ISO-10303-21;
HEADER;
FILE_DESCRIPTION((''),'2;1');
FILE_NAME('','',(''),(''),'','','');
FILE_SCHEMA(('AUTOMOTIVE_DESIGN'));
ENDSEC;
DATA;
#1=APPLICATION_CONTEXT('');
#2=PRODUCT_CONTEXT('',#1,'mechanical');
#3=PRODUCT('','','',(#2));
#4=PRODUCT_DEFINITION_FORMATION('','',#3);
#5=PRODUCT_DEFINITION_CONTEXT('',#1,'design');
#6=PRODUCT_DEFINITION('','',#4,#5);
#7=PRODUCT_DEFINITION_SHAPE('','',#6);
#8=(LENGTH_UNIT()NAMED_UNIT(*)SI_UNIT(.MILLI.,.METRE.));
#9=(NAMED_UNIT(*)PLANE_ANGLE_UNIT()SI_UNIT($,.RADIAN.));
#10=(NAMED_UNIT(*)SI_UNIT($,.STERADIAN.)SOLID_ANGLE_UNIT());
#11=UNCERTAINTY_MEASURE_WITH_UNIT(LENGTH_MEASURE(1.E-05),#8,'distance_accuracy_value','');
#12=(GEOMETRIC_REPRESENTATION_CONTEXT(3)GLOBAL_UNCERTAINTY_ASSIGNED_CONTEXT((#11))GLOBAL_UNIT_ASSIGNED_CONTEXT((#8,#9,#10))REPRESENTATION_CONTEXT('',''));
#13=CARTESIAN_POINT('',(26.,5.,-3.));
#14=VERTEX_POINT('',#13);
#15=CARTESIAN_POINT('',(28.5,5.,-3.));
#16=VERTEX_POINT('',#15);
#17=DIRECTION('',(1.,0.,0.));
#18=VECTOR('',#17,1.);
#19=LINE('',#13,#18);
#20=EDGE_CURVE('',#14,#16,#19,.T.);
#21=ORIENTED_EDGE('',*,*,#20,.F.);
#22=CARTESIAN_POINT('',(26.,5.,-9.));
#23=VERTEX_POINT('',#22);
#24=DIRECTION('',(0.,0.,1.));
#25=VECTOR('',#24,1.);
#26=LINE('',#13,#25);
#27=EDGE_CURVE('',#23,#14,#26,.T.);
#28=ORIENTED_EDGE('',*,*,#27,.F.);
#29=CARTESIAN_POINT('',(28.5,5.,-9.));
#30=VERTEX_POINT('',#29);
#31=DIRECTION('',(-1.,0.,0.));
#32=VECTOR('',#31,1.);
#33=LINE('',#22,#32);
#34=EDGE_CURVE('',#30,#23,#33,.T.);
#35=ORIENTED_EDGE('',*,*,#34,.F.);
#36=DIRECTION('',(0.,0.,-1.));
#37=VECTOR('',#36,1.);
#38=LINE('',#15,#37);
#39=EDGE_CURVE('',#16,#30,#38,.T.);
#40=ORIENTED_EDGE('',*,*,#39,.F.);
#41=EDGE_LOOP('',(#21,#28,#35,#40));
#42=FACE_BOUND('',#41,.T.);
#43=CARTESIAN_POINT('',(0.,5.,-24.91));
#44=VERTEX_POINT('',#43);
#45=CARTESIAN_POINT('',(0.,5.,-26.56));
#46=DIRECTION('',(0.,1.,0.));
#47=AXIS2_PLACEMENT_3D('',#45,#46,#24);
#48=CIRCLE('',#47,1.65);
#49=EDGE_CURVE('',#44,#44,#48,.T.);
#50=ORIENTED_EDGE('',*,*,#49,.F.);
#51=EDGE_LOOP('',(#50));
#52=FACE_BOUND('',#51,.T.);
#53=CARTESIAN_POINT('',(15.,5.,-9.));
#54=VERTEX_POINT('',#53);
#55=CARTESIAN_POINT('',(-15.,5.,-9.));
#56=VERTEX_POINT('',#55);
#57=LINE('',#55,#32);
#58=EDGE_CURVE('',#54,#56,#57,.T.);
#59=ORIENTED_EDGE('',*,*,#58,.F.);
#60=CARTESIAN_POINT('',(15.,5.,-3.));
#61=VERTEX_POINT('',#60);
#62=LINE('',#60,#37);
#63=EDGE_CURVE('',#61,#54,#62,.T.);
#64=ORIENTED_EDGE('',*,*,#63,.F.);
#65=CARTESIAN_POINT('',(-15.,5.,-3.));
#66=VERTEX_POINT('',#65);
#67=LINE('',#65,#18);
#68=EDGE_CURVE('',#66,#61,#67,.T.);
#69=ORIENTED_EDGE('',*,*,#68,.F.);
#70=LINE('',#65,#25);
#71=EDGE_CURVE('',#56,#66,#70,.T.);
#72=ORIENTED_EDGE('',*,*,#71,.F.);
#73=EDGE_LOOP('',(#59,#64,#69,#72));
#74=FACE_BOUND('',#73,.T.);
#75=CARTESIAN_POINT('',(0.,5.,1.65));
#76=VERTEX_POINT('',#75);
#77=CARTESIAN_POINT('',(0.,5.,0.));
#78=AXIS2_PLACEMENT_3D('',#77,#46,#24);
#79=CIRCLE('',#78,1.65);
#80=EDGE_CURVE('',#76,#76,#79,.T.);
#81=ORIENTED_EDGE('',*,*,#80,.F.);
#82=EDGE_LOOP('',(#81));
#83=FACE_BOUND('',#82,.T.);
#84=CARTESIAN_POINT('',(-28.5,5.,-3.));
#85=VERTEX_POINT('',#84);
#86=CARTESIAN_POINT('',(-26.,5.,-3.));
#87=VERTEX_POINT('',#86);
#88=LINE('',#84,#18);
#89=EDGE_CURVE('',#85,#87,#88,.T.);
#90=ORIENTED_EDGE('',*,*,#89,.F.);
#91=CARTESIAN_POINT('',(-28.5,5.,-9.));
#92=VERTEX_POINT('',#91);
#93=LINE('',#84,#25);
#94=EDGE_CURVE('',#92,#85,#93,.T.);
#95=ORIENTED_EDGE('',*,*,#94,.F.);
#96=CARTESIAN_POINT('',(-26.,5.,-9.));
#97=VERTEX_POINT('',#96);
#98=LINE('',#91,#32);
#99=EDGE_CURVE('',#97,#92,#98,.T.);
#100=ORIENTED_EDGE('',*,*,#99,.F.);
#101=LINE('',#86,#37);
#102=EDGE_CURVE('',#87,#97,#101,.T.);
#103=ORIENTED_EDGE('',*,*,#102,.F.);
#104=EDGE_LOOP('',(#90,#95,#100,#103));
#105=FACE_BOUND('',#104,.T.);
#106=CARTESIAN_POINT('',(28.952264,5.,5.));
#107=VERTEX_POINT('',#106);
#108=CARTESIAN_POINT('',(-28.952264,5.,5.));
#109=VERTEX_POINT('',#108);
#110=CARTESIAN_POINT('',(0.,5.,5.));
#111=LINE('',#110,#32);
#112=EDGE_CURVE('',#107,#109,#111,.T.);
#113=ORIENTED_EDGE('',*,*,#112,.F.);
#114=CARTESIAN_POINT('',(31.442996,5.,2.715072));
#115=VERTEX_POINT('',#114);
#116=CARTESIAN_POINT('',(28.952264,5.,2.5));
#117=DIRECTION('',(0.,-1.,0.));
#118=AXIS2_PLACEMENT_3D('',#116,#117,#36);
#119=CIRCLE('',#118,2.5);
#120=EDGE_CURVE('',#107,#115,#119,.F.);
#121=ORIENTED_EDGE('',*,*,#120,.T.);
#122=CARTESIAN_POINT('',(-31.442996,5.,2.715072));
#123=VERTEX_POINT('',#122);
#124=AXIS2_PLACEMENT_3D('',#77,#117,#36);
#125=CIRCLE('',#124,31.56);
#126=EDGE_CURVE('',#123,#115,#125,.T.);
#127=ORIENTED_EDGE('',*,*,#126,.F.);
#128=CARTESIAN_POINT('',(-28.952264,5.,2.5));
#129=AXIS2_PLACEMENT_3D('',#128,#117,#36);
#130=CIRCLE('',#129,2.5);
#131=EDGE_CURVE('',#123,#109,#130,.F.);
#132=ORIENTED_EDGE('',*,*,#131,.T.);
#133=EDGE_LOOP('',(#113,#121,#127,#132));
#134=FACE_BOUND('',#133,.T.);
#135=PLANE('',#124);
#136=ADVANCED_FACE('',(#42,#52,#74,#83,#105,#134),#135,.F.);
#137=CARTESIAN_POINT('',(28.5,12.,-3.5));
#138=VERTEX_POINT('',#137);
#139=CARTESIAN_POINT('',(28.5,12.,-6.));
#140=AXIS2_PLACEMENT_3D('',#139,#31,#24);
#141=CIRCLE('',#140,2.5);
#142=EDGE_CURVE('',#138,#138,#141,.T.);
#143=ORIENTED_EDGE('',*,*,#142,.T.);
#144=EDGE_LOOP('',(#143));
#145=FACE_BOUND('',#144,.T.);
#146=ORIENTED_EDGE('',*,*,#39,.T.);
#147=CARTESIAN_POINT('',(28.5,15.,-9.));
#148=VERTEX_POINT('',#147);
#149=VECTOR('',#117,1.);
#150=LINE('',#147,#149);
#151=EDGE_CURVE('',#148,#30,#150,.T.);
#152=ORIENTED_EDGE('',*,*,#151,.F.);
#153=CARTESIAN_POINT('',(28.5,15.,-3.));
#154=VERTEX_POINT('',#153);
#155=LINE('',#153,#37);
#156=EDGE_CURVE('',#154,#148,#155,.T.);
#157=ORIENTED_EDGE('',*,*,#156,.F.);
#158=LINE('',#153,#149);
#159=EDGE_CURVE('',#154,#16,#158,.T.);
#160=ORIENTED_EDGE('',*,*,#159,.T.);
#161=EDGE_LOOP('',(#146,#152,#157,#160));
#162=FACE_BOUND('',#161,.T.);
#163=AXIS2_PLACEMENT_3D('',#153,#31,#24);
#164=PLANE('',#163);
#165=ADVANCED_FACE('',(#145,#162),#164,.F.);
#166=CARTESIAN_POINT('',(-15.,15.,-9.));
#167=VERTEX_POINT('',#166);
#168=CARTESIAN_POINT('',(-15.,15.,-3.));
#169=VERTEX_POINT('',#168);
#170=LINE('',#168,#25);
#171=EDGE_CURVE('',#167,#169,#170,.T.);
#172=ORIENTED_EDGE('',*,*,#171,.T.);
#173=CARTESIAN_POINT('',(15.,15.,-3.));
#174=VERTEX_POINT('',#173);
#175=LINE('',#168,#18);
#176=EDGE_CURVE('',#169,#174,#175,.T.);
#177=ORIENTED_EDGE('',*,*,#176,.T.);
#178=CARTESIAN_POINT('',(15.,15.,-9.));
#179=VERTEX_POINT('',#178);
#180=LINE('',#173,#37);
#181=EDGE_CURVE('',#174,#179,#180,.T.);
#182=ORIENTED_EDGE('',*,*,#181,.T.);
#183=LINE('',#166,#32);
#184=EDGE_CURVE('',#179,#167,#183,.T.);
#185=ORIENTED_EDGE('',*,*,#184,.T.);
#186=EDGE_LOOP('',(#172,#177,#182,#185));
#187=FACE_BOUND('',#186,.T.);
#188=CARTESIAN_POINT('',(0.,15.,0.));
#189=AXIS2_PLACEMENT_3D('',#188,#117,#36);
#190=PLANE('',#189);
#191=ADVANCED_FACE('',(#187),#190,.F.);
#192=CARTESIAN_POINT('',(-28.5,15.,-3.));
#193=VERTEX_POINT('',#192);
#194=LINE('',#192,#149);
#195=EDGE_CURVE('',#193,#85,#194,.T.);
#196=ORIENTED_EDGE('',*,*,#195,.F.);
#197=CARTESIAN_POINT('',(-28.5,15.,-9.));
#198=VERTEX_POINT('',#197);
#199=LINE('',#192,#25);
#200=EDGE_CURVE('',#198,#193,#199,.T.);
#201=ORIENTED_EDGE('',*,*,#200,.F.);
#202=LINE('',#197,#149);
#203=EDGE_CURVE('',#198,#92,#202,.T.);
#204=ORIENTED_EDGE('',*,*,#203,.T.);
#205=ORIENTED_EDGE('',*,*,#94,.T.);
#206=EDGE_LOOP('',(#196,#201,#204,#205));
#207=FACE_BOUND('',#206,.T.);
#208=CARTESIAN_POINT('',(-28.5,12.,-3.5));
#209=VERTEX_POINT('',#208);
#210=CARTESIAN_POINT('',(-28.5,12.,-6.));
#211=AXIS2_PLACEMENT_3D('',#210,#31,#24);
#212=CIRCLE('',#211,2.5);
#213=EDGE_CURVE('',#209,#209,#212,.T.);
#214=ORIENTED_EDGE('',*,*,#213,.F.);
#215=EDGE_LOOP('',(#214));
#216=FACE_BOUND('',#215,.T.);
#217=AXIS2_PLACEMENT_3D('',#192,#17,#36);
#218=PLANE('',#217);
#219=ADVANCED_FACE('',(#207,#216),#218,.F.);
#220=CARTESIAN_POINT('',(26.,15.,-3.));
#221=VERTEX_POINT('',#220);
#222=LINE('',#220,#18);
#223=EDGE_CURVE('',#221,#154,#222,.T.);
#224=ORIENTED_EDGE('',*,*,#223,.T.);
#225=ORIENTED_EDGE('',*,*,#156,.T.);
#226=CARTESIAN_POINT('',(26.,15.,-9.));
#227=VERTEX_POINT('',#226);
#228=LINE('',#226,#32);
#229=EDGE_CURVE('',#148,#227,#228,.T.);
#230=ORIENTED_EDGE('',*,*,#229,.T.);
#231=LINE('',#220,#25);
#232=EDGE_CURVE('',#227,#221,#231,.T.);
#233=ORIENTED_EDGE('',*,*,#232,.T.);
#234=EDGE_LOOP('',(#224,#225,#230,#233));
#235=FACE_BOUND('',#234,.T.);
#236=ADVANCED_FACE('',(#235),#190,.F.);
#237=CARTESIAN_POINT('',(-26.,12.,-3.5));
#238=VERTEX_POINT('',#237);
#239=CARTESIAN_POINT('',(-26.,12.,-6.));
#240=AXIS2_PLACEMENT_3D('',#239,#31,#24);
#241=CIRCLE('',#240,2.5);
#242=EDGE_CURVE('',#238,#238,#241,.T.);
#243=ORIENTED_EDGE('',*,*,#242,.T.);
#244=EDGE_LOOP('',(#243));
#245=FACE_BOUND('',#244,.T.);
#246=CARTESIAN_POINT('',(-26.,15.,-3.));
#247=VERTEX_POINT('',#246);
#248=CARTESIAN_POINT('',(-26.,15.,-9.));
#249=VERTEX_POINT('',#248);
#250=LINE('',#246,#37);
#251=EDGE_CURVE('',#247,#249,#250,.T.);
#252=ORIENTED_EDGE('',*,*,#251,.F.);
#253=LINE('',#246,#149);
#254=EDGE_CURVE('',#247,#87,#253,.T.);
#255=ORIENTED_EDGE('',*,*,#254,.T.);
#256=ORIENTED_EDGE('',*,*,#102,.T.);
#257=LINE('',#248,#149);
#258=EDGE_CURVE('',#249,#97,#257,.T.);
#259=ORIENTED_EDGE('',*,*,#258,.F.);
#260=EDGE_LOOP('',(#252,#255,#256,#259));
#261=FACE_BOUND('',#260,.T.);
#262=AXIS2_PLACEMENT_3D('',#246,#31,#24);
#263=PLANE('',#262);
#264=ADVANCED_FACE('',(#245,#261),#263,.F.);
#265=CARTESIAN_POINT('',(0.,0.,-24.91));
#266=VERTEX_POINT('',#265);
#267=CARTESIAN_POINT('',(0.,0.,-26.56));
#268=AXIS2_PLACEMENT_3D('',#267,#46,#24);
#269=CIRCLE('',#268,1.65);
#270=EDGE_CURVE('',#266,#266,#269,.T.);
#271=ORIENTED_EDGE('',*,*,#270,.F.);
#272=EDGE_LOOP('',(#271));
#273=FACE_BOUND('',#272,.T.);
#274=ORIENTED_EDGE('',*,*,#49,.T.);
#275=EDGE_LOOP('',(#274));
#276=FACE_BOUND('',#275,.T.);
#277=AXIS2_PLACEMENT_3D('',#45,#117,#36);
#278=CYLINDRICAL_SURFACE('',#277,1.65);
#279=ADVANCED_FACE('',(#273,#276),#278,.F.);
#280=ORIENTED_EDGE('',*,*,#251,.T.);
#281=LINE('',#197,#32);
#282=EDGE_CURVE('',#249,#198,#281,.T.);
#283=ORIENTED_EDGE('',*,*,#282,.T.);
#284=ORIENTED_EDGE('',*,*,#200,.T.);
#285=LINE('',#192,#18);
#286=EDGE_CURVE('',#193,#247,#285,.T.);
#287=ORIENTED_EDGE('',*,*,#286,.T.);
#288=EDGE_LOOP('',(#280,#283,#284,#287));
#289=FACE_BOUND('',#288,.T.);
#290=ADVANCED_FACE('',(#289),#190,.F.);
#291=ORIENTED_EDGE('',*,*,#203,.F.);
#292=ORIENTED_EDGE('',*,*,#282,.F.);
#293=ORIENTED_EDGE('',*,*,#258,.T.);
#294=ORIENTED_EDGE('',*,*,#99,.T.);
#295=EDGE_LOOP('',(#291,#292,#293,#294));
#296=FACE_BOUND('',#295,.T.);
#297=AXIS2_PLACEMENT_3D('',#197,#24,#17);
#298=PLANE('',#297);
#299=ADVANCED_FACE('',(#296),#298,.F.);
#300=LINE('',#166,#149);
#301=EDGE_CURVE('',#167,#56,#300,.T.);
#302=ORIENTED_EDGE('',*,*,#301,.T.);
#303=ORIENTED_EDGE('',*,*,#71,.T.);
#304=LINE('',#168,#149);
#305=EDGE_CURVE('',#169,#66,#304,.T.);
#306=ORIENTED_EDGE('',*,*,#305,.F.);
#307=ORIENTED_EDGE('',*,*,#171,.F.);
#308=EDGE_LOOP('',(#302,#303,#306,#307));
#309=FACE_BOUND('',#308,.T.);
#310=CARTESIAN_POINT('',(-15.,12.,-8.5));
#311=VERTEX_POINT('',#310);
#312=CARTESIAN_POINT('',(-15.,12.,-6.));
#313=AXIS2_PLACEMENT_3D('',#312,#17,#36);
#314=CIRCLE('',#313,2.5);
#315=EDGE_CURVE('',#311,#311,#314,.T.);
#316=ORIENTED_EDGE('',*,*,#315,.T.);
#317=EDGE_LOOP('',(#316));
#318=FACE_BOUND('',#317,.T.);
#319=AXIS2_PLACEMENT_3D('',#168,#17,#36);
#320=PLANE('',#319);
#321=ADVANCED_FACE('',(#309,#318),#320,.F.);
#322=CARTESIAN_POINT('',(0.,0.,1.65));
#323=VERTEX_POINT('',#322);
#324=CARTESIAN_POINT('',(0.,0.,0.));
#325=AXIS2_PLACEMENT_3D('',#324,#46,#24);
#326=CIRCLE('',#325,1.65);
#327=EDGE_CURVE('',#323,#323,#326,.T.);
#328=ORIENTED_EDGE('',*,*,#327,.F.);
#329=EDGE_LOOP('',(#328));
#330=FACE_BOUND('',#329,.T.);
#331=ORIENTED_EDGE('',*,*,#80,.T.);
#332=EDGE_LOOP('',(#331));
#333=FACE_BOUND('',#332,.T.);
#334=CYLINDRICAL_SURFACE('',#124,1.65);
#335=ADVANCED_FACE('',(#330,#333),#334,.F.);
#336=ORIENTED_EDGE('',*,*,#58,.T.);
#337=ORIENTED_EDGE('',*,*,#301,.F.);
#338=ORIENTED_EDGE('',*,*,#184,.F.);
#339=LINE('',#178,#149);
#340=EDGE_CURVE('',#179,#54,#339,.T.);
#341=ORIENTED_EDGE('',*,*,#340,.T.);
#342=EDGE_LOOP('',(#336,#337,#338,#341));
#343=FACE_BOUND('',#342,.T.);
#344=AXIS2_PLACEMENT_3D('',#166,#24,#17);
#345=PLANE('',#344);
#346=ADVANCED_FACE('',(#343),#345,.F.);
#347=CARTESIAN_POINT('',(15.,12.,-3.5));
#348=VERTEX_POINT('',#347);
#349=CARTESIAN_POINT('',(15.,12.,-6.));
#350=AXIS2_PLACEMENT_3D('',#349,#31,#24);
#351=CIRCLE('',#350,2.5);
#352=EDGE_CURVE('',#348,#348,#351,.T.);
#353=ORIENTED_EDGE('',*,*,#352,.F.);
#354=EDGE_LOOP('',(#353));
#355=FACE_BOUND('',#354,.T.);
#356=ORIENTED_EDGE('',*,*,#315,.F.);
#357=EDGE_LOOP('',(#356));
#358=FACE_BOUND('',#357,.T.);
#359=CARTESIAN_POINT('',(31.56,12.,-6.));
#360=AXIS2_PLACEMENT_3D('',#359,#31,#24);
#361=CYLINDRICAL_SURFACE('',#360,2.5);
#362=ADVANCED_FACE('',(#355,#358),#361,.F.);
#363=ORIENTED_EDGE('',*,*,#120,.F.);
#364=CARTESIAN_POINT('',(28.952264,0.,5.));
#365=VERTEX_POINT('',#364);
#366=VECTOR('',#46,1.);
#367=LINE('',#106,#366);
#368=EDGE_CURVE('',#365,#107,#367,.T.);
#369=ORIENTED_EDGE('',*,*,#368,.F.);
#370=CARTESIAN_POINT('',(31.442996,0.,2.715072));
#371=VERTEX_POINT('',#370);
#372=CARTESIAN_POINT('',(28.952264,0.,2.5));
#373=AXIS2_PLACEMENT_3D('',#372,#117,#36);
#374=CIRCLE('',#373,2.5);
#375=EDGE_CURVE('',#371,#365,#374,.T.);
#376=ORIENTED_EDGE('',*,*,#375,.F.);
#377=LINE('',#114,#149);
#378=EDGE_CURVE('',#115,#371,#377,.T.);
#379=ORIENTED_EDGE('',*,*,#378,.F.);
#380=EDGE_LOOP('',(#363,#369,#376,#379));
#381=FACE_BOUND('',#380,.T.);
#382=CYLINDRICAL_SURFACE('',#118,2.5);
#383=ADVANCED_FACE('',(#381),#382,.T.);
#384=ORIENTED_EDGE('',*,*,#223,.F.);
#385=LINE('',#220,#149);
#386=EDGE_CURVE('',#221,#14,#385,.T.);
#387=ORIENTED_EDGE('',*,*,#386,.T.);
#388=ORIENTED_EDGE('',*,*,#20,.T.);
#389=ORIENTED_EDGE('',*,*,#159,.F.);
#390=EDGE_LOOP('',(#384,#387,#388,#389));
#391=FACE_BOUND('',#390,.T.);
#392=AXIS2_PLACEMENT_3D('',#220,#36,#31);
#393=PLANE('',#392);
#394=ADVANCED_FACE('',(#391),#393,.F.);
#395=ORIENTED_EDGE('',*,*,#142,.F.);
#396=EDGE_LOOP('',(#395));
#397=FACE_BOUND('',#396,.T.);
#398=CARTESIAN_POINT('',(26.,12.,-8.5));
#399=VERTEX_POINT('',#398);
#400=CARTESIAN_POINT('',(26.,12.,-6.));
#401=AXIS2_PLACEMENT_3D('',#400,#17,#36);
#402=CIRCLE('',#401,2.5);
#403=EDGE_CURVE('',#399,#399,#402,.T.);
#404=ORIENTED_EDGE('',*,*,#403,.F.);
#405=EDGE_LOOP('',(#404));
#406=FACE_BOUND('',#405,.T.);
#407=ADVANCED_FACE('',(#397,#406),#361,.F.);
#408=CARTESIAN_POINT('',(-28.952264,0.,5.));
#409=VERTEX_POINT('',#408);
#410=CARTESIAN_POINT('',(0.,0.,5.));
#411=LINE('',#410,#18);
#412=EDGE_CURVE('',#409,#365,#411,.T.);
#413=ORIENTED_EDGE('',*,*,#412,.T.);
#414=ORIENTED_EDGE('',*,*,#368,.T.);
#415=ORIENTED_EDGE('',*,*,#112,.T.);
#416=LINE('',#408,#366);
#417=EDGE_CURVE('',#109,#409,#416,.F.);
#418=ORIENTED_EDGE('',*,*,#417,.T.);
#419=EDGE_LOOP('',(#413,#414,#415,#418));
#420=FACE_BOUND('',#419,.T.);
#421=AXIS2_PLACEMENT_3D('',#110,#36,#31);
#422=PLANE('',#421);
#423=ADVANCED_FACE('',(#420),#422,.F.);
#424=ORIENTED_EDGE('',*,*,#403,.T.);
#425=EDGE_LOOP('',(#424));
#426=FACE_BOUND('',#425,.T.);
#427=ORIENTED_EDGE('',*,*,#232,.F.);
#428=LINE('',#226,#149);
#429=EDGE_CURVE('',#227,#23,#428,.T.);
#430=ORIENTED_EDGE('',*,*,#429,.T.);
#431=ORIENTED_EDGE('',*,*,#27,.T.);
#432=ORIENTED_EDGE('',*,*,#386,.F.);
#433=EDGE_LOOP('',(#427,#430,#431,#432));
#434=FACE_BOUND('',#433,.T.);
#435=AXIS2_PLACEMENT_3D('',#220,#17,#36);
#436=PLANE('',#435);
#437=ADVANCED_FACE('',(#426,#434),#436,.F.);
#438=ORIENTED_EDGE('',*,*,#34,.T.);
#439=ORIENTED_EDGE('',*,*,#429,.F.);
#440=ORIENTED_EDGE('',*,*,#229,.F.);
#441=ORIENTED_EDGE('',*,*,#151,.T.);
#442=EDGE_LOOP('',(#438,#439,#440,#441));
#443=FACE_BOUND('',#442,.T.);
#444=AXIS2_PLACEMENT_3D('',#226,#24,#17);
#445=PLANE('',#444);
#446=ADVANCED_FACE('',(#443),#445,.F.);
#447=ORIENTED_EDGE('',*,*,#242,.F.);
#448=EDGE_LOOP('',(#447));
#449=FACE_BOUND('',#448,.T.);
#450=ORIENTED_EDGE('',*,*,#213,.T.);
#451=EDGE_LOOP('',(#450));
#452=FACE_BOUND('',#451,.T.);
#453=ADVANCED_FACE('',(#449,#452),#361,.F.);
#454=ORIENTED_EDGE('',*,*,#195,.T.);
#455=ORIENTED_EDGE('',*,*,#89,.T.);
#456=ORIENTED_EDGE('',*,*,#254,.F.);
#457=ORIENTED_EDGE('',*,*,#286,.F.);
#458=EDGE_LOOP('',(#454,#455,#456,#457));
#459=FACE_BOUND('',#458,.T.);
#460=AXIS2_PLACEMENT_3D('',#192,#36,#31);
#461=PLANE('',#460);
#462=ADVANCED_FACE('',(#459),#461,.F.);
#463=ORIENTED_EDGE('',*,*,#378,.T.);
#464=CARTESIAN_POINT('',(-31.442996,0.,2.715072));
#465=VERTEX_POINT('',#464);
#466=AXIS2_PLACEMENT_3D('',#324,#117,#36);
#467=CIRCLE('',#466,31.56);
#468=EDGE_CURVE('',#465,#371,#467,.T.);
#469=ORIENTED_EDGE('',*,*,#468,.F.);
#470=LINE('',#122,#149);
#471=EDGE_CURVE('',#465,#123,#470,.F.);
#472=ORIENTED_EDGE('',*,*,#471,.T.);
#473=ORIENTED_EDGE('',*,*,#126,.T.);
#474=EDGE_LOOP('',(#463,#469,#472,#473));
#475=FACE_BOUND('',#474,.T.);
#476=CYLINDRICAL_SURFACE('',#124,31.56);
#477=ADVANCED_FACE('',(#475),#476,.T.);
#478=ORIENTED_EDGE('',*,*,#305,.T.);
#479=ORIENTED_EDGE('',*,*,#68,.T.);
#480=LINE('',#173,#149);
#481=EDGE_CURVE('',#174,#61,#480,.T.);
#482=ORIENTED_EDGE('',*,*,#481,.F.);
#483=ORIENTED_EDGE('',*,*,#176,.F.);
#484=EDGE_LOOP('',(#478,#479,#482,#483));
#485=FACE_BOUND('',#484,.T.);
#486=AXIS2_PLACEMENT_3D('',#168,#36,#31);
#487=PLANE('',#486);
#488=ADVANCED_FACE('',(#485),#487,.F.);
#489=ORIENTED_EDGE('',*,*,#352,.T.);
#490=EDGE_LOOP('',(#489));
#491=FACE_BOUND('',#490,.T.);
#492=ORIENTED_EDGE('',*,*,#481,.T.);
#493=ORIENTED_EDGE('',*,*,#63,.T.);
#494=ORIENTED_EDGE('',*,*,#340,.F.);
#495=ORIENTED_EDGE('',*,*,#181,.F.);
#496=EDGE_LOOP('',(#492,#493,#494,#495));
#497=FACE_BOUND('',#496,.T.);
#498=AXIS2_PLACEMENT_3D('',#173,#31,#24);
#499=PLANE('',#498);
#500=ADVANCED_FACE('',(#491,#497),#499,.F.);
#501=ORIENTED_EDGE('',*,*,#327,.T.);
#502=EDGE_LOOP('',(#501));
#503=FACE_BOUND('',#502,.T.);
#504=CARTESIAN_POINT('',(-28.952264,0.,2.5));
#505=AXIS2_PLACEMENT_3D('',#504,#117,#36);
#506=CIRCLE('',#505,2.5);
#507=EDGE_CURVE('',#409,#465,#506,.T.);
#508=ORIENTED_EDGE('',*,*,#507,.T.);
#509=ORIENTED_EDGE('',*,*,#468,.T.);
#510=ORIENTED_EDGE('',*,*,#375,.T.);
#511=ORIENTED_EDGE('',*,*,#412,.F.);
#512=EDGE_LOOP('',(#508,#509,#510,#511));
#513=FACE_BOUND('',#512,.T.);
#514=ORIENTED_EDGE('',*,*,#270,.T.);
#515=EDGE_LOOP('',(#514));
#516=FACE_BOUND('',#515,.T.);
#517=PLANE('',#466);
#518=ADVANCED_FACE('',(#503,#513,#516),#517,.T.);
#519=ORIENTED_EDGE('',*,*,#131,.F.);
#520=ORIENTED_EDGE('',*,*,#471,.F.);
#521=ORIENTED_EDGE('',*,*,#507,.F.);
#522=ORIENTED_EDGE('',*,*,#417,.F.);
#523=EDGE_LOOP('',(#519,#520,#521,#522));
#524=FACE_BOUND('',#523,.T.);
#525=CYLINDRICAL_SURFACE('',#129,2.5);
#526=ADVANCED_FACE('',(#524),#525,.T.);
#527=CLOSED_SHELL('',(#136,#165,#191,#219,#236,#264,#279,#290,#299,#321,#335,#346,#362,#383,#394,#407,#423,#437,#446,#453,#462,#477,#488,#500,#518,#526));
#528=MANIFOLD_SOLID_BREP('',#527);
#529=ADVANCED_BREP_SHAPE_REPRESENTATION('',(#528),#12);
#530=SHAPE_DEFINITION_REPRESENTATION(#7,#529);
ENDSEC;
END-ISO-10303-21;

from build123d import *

# Parameters (mm, degrees)
SKETCH1_R           = 1.65
BOSS_EXTRUDE1_DEPTH = 5
FILLET1_R           = 2.5
SKETCH2_W           = 2.5
SKETCH2_H           = 6
SKETCH2_W_2         = 30
BOSS_EXTRUDE2_DEPTH = 10
SKETCH3_R           = 2.5
CUT_EXTRUDE1_DEPTH  = 70.485517916


with BuildPart() as part:
    # Sketch1 → Boss-Extrude1 (new body)
    with BuildSketch(Plane(origin=(0, 0, 0), x_dir=(1, 0, 0), z_dir=(0, 1, 0))):
        with BuildLine():
            Line((0, -5), (-31.161412035, -5))
            ThreePointArc((-31.161412035, -5), (0, 31.56), (31.161412035, -5))
            Line((31.161412035, -5), (0, -5))
        make_face()
        with Locations(Location((0, 0, 0), (0, 0, 270))):
            Circle(SKETCH1_R, mode=Mode.SUBTRACT)
        with Locations(Location((0, 26.56, 0), (0, 0, 270))):
            Circle(SKETCH1_R, mode=Mode.SUBTRACT)
    extrude(amount=BOSS_EXTRUDE1_DEPTH)

    # Fillet1
    fillet1_edges = [part.edges().sort_by_distance(p)[0] for p in [
        (31.161412035, 2.5, 5),
        (-31.161412035, 2.5, 5),
    ]]
    fillet(fillet1_edges, radius=FILLET1_R)

    # Sketch2 → Boss-Extrude2 (add)
    with BuildSketch(Plane(origin=(0, 5, 0), x_dir=(1, 0, 0), z_dir=(0, 1, 0))):
        with Locations((-27.25, 6)):
            Rectangle(SKETCH2_W, SKETCH2_H)
        with Locations((27.25, 6)):
            Rectangle(SKETCH2_W, SKETCH2_H)
        with Locations((0, 6)):
            Rectangle(SKETCH2_W_2, SKETCH2_H)
    extrude(amount=BOSS_EXTRUDE2_DEPTH)

    # Sketch3 → Cut-Extrude1 (cut, through all)
    with BuildSketch(Plane.ZY.offset(28.5)):
        with Locations((-6, 12)):
            Circle(SKETCH3_R)
    extrude(amount=-CUT_EXTRUDE1_DEPTH, mode=Mode.SUBTRACT)


solid = part.part
